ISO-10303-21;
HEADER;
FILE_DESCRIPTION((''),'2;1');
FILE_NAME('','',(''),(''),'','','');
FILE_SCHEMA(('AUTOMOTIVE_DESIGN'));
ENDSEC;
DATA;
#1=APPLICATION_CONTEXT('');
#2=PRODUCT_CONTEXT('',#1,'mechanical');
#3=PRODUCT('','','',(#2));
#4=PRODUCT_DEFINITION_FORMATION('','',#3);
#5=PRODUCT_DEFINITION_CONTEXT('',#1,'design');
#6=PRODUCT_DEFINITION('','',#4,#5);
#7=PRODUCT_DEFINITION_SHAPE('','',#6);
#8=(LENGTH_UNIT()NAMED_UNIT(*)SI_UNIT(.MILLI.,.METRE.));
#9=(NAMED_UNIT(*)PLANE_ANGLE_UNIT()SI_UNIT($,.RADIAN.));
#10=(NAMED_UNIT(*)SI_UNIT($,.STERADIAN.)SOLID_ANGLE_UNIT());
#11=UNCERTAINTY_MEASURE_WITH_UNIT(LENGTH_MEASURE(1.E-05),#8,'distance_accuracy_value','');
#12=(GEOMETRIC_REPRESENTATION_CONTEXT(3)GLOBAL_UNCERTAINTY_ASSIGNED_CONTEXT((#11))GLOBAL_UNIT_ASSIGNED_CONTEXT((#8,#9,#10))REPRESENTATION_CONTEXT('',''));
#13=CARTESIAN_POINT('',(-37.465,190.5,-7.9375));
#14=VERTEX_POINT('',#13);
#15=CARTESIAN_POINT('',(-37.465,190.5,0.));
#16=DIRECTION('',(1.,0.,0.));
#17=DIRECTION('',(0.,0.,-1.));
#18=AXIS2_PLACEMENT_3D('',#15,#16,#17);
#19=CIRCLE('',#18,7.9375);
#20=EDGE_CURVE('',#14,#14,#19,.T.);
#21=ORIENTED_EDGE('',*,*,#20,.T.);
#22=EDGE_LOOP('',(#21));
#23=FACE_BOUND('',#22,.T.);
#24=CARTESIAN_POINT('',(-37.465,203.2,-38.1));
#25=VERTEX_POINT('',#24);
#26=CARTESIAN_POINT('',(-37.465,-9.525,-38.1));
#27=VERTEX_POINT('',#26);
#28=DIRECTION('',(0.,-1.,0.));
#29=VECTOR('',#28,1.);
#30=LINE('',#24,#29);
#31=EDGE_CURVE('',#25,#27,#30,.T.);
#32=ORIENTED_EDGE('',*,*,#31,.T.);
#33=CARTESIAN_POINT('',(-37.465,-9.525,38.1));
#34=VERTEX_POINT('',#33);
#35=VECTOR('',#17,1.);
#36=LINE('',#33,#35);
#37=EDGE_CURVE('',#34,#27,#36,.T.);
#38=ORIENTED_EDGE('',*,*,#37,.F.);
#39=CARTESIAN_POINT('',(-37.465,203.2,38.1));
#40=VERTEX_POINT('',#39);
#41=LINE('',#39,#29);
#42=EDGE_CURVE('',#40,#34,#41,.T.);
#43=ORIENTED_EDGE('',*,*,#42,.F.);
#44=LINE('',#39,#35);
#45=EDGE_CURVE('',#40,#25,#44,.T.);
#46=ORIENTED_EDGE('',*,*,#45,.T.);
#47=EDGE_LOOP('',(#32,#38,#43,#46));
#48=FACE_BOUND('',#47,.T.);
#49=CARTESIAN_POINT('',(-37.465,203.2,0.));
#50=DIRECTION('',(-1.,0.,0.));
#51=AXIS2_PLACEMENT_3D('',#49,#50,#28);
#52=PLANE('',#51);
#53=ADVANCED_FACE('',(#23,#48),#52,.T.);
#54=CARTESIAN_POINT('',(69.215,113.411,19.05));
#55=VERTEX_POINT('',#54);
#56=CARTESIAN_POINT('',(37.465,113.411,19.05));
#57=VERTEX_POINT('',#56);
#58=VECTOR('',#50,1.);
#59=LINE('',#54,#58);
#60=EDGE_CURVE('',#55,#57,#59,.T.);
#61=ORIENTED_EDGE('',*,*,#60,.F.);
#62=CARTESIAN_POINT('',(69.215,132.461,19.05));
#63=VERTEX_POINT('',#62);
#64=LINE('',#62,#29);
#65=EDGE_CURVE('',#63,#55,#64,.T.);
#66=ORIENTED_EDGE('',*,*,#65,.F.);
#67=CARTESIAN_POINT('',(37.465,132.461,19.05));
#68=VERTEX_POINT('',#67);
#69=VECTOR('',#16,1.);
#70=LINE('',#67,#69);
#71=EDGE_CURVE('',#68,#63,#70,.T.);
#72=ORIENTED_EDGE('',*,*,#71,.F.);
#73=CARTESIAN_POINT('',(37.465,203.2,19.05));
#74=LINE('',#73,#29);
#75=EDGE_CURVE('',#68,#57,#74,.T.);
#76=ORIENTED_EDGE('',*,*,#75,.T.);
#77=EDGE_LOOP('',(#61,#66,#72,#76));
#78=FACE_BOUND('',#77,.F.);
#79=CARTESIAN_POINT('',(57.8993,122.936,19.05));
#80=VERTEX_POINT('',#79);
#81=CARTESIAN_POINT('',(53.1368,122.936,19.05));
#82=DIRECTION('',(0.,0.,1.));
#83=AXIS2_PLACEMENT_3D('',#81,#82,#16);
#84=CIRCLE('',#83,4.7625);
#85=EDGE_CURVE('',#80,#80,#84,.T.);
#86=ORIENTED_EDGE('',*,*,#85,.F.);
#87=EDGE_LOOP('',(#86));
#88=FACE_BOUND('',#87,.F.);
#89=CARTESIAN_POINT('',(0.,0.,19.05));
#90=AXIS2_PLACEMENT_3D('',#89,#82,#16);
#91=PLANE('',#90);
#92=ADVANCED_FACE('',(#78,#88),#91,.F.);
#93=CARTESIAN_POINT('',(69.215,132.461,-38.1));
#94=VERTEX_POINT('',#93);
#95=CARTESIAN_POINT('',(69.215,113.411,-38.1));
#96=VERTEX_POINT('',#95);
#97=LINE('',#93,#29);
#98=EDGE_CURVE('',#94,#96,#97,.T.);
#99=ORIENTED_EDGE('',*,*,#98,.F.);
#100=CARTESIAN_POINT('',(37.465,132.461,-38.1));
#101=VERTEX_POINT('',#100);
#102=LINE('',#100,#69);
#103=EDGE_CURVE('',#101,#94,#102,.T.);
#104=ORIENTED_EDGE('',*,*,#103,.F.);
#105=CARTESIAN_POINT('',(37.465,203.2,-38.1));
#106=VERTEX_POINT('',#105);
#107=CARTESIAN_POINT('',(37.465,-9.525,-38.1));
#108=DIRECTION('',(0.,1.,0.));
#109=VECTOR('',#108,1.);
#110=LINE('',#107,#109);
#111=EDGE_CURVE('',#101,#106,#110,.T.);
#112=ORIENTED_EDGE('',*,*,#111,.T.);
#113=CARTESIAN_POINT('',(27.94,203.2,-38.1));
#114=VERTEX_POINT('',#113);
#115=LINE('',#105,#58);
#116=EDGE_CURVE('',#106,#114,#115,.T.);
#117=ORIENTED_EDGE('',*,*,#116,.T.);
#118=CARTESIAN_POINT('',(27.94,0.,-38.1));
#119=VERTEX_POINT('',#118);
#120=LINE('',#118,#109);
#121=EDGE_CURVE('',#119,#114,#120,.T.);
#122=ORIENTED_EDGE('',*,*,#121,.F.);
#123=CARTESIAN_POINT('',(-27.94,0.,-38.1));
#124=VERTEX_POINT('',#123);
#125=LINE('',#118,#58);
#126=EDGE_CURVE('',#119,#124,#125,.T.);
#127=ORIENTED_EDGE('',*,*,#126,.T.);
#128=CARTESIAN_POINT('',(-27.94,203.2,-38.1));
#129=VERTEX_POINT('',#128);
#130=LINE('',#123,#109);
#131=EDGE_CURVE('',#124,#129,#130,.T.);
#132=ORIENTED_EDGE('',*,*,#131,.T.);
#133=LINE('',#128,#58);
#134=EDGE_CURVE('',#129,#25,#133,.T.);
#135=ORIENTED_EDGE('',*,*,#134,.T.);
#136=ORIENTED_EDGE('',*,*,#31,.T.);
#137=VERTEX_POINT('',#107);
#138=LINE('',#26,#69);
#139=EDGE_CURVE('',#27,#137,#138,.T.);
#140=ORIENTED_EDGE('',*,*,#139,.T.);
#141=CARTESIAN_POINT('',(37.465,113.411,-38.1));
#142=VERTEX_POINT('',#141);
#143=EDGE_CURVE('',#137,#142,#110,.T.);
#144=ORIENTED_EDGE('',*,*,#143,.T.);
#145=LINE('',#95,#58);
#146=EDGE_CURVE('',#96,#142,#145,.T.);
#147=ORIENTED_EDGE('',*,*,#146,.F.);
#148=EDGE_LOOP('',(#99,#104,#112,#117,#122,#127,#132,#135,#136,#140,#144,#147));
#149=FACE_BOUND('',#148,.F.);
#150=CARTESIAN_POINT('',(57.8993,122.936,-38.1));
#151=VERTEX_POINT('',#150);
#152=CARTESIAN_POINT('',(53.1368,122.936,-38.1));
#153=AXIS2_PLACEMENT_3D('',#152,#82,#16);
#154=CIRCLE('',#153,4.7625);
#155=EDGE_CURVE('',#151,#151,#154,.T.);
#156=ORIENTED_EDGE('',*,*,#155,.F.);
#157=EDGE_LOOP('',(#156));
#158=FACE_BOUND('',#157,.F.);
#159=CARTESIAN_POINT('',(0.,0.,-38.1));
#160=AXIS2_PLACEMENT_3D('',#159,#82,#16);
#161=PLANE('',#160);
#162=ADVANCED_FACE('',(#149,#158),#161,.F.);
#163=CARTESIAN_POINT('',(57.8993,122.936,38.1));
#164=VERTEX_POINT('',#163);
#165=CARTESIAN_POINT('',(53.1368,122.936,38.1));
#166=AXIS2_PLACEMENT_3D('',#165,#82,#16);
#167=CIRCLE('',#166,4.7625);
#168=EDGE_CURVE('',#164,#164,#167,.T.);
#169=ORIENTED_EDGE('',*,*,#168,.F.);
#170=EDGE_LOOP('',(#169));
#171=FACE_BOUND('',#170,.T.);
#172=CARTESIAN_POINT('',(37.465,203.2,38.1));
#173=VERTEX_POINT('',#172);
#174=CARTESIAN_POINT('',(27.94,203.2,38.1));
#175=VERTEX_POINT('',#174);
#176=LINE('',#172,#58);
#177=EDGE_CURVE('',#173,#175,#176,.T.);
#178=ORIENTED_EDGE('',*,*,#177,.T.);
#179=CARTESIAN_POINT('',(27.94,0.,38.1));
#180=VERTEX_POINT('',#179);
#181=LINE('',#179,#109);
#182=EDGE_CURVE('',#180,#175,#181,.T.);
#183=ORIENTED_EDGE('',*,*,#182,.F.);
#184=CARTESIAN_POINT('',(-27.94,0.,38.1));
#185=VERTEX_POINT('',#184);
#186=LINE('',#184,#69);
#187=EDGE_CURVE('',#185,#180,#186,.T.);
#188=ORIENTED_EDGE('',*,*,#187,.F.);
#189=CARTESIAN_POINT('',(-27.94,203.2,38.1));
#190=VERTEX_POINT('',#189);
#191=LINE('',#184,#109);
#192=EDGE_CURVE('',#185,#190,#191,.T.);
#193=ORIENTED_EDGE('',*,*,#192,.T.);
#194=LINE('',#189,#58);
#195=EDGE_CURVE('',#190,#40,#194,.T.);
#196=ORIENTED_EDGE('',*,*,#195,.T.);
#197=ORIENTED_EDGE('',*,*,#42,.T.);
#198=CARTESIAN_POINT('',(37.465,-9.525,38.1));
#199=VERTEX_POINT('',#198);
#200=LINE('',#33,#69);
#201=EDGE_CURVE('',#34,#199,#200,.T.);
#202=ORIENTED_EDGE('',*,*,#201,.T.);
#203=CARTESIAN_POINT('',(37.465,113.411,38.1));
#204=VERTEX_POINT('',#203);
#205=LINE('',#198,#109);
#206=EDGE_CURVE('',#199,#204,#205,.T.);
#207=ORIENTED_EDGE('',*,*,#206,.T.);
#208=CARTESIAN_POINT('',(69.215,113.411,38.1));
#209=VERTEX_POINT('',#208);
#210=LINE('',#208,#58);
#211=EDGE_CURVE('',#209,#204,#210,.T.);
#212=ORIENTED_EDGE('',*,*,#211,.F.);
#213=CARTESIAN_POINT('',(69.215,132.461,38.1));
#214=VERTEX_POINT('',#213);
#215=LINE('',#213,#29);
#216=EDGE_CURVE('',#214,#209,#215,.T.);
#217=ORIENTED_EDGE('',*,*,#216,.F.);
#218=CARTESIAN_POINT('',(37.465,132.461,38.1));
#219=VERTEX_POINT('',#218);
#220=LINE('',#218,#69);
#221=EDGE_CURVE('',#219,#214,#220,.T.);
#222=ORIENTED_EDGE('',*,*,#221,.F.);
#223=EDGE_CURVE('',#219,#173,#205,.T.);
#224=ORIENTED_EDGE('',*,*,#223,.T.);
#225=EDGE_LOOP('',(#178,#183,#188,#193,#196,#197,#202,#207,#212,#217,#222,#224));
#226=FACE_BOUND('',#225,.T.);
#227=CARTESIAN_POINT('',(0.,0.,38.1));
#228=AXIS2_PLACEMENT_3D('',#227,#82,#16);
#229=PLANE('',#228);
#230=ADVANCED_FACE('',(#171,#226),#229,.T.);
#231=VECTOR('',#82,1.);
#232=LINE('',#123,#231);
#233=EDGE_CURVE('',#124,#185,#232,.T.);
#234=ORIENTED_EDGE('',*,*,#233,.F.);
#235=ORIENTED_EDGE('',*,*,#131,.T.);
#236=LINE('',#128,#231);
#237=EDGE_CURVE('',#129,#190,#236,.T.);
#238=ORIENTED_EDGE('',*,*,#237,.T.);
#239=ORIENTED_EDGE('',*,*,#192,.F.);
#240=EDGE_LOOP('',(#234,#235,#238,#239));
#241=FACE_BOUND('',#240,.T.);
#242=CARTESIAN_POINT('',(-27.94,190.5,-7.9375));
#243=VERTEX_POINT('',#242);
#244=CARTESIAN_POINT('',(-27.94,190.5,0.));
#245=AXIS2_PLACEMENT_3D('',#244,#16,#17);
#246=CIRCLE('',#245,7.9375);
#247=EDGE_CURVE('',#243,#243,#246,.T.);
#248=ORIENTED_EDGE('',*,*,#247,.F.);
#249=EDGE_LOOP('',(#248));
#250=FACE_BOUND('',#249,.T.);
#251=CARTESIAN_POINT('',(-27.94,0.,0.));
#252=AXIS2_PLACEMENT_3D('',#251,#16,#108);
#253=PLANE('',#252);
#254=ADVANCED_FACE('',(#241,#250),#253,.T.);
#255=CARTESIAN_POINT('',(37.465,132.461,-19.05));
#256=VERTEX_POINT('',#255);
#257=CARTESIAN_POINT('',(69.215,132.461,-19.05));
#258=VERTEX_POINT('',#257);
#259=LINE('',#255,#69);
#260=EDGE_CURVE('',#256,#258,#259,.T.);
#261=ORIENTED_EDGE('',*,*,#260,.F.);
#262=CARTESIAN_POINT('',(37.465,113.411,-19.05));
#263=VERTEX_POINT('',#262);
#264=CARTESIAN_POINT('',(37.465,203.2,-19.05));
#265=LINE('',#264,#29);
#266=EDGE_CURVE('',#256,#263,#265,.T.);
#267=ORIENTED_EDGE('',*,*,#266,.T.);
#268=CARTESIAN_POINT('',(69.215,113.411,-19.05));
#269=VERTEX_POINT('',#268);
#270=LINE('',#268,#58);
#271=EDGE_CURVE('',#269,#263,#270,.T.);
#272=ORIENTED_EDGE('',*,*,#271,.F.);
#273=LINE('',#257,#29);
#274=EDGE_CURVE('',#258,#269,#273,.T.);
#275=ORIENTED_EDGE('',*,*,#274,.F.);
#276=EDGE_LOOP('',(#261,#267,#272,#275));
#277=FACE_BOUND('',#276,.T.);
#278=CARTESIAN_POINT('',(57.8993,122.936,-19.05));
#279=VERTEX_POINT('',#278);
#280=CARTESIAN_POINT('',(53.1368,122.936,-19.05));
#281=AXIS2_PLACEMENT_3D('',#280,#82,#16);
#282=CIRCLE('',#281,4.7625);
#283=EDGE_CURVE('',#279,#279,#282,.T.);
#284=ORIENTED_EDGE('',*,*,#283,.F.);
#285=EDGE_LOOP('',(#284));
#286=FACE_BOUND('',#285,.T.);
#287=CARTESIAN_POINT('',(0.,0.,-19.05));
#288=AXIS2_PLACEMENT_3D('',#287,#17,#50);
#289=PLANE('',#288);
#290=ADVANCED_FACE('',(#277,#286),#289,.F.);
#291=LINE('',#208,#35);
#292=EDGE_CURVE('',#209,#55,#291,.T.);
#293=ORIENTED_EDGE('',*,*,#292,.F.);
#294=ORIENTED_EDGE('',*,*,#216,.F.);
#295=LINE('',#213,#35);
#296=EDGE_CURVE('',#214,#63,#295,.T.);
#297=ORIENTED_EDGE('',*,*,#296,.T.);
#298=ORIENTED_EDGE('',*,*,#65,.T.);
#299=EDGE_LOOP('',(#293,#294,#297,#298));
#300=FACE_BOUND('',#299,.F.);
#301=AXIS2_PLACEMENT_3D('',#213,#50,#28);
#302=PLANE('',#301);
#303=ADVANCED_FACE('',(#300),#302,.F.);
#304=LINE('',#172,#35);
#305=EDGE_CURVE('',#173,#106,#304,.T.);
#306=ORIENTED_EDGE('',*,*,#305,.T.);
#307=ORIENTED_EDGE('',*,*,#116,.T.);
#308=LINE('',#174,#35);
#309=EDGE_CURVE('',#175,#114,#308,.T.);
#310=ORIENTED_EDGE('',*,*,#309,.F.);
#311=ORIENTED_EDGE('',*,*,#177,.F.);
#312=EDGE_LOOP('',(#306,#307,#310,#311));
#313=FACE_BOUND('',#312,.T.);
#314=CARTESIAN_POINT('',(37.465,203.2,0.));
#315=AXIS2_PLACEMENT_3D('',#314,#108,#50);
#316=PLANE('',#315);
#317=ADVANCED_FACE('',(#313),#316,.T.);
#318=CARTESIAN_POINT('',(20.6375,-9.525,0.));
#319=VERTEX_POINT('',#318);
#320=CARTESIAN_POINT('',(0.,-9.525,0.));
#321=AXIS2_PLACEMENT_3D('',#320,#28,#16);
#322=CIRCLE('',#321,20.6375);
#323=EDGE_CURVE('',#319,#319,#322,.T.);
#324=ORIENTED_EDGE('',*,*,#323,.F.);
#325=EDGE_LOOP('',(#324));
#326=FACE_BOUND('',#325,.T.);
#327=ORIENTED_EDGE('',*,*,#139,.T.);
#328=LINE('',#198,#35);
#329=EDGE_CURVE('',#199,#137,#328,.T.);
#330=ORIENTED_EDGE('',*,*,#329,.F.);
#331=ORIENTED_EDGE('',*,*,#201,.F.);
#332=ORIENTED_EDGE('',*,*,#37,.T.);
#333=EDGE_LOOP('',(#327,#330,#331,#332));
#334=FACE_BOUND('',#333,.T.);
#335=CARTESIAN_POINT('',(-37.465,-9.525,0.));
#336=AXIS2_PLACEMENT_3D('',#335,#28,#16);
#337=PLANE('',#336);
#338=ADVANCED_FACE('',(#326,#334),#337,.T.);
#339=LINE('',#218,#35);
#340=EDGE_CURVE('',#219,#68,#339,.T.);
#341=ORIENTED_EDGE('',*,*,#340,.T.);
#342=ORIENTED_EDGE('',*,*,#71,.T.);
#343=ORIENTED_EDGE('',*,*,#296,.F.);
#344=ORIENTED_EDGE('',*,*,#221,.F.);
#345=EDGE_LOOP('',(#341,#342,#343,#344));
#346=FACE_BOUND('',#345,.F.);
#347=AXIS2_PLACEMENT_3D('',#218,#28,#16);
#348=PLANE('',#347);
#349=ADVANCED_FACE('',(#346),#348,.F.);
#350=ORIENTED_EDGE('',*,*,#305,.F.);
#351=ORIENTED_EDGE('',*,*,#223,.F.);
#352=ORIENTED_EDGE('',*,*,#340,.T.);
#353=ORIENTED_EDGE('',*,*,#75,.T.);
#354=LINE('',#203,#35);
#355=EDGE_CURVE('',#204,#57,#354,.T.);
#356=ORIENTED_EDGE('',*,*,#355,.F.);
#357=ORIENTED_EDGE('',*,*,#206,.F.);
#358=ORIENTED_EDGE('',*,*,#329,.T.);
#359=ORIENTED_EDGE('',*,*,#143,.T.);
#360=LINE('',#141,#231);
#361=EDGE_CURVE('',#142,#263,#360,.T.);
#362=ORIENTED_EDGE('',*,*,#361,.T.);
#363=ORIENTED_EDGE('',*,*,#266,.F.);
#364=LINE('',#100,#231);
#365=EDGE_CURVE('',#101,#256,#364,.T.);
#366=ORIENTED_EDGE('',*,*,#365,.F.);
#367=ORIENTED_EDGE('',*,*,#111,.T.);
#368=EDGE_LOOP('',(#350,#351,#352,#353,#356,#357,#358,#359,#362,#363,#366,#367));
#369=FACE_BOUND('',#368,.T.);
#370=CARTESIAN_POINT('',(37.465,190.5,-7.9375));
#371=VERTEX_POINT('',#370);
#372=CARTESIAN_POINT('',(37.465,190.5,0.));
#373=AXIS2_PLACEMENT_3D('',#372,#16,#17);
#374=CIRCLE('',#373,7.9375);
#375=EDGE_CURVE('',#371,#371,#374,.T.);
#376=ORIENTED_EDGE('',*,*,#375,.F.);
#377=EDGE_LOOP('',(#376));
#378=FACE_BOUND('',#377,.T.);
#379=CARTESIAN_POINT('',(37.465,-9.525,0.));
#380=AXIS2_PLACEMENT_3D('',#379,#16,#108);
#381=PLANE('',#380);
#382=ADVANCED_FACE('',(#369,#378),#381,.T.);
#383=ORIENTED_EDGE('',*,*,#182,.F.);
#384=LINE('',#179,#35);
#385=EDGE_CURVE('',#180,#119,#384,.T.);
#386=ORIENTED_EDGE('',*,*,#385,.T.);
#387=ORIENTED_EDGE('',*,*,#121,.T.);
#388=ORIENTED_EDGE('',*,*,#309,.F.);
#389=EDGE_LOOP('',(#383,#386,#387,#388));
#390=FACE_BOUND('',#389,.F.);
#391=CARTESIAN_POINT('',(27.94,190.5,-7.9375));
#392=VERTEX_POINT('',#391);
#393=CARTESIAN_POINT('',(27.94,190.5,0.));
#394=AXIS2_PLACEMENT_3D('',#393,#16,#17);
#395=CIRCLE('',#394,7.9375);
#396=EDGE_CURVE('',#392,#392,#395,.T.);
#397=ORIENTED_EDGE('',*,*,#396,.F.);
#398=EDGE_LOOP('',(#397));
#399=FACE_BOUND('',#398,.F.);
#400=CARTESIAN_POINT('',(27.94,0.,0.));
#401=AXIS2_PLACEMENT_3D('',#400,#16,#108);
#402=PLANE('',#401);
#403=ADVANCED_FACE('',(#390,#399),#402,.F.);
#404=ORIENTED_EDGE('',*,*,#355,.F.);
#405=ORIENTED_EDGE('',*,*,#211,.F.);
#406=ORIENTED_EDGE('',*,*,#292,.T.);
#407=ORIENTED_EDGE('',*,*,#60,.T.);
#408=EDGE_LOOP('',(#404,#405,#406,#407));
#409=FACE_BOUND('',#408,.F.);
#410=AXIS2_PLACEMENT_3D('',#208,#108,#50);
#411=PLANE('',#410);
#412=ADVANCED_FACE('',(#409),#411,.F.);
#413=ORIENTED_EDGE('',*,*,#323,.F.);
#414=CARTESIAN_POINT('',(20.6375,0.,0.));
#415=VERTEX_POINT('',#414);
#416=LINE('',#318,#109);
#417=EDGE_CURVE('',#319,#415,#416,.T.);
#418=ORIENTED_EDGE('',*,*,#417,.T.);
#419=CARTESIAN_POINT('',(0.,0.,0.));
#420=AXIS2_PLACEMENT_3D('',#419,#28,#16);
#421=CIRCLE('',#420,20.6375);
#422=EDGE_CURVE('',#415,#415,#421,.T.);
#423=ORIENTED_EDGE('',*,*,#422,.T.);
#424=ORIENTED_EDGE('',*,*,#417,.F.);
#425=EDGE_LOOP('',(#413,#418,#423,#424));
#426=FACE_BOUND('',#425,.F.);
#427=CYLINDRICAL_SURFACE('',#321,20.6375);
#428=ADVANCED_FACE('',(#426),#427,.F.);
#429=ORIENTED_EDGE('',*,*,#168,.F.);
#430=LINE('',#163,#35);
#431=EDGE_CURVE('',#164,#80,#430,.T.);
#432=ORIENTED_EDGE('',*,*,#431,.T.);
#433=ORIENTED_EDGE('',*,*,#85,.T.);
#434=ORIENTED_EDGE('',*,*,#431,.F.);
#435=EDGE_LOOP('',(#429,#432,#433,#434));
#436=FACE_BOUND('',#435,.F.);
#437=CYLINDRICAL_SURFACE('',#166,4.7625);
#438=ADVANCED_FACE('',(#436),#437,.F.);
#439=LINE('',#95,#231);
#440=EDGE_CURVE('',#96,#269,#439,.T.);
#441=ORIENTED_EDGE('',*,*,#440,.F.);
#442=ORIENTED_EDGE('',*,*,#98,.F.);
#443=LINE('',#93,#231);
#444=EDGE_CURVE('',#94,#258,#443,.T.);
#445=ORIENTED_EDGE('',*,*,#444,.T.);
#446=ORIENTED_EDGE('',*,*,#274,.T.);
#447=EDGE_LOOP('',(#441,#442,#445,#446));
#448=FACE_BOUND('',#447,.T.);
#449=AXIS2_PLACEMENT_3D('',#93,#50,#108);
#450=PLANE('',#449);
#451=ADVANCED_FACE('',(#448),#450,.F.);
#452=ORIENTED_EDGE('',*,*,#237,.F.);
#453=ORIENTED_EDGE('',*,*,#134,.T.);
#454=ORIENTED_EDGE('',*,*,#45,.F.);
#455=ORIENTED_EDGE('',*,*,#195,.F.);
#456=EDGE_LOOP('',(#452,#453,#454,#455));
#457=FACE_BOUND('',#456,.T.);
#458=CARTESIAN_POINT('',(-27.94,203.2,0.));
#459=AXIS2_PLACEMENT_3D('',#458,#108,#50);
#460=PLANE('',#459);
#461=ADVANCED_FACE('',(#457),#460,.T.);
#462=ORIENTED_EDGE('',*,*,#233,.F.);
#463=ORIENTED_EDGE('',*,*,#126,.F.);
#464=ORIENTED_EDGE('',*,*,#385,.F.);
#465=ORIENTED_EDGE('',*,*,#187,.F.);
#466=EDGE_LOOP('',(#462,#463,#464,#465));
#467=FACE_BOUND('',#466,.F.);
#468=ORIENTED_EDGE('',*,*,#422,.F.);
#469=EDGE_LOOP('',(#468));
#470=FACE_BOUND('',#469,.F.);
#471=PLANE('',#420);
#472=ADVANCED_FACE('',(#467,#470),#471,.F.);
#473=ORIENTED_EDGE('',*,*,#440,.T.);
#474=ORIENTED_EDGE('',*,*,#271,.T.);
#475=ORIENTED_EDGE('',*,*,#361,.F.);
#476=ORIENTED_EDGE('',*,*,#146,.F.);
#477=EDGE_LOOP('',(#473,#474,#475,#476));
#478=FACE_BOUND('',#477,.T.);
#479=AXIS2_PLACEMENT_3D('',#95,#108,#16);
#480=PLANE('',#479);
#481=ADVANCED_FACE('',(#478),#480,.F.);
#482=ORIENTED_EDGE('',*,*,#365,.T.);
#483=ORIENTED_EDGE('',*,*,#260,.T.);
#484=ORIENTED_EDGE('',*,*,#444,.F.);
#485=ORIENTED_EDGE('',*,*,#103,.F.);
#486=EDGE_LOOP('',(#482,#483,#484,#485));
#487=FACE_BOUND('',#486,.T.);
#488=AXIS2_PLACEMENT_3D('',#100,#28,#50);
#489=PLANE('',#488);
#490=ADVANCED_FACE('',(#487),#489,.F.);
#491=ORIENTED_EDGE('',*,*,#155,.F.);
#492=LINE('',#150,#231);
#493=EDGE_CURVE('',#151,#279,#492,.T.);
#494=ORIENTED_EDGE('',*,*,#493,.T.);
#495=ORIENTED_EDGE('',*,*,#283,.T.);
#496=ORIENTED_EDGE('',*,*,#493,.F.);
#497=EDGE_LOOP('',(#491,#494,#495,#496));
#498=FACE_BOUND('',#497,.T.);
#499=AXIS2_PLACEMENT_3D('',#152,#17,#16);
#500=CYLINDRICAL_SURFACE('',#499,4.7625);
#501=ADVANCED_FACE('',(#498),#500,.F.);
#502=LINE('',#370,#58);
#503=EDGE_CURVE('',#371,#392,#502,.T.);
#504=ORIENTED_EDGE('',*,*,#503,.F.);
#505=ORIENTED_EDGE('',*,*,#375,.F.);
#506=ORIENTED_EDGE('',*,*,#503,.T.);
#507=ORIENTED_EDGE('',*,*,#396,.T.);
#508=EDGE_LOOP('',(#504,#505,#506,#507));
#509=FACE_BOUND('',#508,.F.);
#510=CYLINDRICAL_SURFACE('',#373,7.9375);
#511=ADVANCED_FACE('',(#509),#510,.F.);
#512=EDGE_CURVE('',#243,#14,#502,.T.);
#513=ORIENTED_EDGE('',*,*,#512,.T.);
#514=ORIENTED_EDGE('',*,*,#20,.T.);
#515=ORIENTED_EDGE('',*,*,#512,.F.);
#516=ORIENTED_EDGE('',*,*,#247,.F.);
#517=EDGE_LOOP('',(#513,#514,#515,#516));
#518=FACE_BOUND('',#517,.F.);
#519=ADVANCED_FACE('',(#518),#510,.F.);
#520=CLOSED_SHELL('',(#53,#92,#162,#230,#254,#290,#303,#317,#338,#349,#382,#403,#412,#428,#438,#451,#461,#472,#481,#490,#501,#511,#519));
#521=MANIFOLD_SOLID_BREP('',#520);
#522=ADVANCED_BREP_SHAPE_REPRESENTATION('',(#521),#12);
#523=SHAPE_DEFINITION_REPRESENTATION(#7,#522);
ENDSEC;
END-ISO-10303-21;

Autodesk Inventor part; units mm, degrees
ref_plane "YZ Plane" through (0, 0, 0) normal (1, 0, 0) x (0, 1, 0)
ref_plane "XZ Plane" through (0, 0, 0) normal (0, 1, 0) x (-1, 0, 0)
ref_plane "XY Plane" through (0, 0, 0) normal (0, 0, 1) x (1, 0, 0)
sketch "Sketch1" plane through (0, 0, 0) normal (0, 0, 1) x (1, 0, 0)
  line L0 (0, 0) -> (27.94, 0)
  line L1 (27.94, 0) -> (27.94, 203.2)
  line L2 (0, 0) -> (-27.94, 0)
  line L3 (-27.94, 0) -> (-27.94, 203.2)
  line L4 (-27.94, 203.2) -> (-37.465, 203.2)
  line L5 (-37.465, 203.2) -> (-37.465, -9.525)
  line L6 (-37.465, -9.525) -> (37.465, -9.525)
  line L7 (37.465, -9.525) -> (37.465, 203.2)
  line L8 (37.465, 203.2) -> (27.94, 203.2)
  dimension "d0" = 203.2
  dimension "d1" = 27.94
  dimension "x2" = 9.525
  dimension "d3" = 9.525
  dimension "d4" = 9.525
extrude "Extrusion1" add sketch "Sketch1" against normal mid plane 76.2
sketch "Sketch2" plane through (37.465, -9.525, -38.1) normal (1, 0, 0) x (0, 0, -1)
  circle A0 centre (-38.1, 200.025) radius 7.9375
  point P0 (-38.1, 9.525)
  dimension "d7" = 15.875
  dimension "d8" = 190.5
extrude "Extrusion2" cut sketch "Sketch2" against normal through all
sketch "Sketch3" plane through (0, 0, 38.1) normal (0, 0, 1) x (1, 0, 0)
  line L0 (37.465, 203.2) -> (37.465, -9.525) projected
  line L1 (37.465, 132.461) -> (69.215, 132.461)
  line L2 (69.215, 132.461) -> (69.215, 113.411)
  line L3 (69.215, 113.411) -> (37.465, 113.411)
  line L4 (37.465, 113.411) -> (37.465, 132.461)
  line L5 (37.465, 122.936) -> (69.215, 122.936) construction
  line L6 (-37.465, -9.525) -> (37.465, -9.525) construction
  circle A0 centre (53.1368, 122.936) radius 4.7625
  point P0 (0, 0)
  point P1 (37.465, 113.411)
  dimension "d20" = 31.75
  dimension "d21" = 19.05
  dimension "d22" = 132.461
  dimension "d23" = 9.525
  dimension "d24" = 15.6718
extrude "Extrusion3" add sketch "Sketch3" against normal blind 19.05
mirror "Mirror1" about plane through (0, 0, 0) normal (0, 0, 1) of "Extrusion3"
sketch "Sketch4" plane through (-37.465, -9.525, -38.1) normal (0, -1, 0) x (1, 0, 0)
  circle A0 centre (37.465, 38.1) radius 20.6375
  dimension "d27" = 41.275
extrude "Extrusion4" cut sketch "Sketch4" against normal through all
equation "\"d0\" = overallHeight"
equation "\"x2\" = wallThickness"
equation "\"d3\" = wallThickness"
equation "\"d4\" = wallThickness"
equation "\"d5\" = overallWidth"
equation "\"d7\" = postHoleDiameter"
equation "\"d8\" = postHoleFromTop"
equation "\"postHoleDiameter\" = 15.875"
equation "\"overallHeight\" = 203.2"
equation "\"wallThickness\" = 9.525"
equation "\"overallWidth\" = 76.2"
equation "\"postHoleFromTop\" = 190.5"
properties part number "forkV02" material "PC/ABS Plastic"
